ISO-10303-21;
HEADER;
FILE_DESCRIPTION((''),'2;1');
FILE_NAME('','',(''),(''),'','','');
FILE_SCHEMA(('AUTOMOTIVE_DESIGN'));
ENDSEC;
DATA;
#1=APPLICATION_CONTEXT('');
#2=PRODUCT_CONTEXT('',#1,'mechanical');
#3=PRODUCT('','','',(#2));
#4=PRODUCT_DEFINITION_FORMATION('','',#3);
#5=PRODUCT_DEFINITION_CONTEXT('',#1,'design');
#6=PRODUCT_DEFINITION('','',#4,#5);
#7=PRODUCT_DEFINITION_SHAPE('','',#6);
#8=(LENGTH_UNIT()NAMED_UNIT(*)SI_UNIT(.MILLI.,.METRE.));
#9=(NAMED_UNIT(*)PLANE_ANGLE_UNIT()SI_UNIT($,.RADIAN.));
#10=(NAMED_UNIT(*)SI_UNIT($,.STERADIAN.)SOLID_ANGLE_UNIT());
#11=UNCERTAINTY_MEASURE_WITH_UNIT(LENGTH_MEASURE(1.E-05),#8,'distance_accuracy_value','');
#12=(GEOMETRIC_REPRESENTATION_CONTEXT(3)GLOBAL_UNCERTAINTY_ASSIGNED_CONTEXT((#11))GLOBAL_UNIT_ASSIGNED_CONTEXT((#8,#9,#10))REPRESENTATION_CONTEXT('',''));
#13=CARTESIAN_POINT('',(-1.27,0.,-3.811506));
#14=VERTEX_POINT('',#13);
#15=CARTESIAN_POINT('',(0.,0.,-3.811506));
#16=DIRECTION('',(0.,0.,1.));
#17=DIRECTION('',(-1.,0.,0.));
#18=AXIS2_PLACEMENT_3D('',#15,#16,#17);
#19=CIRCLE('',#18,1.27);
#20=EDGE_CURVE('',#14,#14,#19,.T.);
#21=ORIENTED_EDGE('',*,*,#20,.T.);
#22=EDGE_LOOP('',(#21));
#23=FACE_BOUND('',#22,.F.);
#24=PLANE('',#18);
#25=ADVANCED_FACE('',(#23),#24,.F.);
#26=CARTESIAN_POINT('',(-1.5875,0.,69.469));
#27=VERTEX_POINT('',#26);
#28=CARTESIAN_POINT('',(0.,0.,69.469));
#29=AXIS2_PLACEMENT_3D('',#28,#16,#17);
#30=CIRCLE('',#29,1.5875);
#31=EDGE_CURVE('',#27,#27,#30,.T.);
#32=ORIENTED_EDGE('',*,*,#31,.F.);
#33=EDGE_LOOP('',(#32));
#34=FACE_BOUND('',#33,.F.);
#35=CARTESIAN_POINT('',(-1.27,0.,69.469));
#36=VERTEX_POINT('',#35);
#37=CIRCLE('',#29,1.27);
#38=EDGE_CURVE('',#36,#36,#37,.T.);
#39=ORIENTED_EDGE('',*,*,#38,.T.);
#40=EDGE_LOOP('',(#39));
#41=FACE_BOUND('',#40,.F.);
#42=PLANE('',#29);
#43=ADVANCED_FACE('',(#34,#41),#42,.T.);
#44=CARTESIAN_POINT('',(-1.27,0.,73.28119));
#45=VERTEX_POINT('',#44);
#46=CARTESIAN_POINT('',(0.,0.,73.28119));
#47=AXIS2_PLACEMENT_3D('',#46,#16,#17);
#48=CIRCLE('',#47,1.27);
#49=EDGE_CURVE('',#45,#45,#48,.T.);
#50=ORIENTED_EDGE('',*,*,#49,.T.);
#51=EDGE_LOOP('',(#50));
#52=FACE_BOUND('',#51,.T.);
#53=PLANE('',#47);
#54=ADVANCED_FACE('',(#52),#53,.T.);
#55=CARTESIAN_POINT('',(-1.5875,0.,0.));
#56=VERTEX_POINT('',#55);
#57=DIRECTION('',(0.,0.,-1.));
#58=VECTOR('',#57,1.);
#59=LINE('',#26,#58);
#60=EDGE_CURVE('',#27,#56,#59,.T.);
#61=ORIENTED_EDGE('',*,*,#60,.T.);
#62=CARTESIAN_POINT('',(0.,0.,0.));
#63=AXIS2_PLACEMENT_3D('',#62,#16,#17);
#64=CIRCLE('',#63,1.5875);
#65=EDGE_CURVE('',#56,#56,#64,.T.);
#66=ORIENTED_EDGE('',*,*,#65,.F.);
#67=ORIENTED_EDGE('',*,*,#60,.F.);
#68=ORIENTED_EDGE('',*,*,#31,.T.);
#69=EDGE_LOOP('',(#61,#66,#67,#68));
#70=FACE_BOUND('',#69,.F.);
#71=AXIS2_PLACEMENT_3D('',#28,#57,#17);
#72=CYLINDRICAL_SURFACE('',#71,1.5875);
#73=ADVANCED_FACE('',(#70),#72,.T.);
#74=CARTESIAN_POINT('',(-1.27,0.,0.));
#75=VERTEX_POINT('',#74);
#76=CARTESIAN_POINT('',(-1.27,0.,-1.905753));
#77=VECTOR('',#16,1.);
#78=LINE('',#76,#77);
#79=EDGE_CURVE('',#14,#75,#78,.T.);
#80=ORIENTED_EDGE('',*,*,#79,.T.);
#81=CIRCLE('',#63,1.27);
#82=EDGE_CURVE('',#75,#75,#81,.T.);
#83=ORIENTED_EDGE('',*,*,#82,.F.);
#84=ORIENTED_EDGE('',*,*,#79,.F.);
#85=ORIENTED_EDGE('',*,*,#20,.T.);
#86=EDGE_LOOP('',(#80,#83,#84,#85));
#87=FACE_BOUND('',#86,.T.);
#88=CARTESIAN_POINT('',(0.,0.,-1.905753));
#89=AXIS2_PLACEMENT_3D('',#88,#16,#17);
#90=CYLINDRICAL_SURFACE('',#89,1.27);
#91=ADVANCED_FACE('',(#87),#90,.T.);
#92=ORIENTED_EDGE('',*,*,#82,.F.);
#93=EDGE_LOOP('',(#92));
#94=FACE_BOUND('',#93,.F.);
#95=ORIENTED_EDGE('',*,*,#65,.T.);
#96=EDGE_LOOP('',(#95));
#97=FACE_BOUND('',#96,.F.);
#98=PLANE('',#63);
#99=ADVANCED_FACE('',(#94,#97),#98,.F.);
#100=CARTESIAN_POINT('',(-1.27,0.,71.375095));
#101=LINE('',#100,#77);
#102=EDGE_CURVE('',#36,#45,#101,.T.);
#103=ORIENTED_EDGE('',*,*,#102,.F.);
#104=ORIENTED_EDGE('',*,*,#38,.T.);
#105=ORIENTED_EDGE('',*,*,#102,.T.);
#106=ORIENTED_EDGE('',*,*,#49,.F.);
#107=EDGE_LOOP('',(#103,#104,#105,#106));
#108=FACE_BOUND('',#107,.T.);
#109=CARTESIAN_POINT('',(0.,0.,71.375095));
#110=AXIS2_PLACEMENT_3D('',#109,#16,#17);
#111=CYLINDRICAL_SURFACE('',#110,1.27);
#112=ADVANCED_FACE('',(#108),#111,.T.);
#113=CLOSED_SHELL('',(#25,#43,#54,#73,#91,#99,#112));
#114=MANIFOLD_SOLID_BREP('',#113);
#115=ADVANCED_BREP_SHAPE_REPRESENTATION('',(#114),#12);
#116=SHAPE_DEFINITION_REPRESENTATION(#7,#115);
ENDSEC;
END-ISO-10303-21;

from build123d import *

# Parameters (mm, degrees)
F0_W   = 1.27
F0_H   = 3.811506
F0_H_2 = 3.812191


with BuildPart() as f1:
    # F0 (on Front) → F1 (revolve)
    with BuildSketch(Plane.XZ):
        with Locations((-0.635, -1.905753)):
            Rectangle(F0_W, F0_H)
        Polygon((-1.27, 0), (0, 0), (0, 69.469), (-1.27, 69.469), (-1.5875, 69.469), (-1.5875, 0), align=None)
        with Locations((-0.635, 71.375095)):
            Rectangle(F0_W, F0_H_2)
    revolve(axis=Axis((0, 0, 34.7345), (0, 0, 1)))


solid = f1.part
